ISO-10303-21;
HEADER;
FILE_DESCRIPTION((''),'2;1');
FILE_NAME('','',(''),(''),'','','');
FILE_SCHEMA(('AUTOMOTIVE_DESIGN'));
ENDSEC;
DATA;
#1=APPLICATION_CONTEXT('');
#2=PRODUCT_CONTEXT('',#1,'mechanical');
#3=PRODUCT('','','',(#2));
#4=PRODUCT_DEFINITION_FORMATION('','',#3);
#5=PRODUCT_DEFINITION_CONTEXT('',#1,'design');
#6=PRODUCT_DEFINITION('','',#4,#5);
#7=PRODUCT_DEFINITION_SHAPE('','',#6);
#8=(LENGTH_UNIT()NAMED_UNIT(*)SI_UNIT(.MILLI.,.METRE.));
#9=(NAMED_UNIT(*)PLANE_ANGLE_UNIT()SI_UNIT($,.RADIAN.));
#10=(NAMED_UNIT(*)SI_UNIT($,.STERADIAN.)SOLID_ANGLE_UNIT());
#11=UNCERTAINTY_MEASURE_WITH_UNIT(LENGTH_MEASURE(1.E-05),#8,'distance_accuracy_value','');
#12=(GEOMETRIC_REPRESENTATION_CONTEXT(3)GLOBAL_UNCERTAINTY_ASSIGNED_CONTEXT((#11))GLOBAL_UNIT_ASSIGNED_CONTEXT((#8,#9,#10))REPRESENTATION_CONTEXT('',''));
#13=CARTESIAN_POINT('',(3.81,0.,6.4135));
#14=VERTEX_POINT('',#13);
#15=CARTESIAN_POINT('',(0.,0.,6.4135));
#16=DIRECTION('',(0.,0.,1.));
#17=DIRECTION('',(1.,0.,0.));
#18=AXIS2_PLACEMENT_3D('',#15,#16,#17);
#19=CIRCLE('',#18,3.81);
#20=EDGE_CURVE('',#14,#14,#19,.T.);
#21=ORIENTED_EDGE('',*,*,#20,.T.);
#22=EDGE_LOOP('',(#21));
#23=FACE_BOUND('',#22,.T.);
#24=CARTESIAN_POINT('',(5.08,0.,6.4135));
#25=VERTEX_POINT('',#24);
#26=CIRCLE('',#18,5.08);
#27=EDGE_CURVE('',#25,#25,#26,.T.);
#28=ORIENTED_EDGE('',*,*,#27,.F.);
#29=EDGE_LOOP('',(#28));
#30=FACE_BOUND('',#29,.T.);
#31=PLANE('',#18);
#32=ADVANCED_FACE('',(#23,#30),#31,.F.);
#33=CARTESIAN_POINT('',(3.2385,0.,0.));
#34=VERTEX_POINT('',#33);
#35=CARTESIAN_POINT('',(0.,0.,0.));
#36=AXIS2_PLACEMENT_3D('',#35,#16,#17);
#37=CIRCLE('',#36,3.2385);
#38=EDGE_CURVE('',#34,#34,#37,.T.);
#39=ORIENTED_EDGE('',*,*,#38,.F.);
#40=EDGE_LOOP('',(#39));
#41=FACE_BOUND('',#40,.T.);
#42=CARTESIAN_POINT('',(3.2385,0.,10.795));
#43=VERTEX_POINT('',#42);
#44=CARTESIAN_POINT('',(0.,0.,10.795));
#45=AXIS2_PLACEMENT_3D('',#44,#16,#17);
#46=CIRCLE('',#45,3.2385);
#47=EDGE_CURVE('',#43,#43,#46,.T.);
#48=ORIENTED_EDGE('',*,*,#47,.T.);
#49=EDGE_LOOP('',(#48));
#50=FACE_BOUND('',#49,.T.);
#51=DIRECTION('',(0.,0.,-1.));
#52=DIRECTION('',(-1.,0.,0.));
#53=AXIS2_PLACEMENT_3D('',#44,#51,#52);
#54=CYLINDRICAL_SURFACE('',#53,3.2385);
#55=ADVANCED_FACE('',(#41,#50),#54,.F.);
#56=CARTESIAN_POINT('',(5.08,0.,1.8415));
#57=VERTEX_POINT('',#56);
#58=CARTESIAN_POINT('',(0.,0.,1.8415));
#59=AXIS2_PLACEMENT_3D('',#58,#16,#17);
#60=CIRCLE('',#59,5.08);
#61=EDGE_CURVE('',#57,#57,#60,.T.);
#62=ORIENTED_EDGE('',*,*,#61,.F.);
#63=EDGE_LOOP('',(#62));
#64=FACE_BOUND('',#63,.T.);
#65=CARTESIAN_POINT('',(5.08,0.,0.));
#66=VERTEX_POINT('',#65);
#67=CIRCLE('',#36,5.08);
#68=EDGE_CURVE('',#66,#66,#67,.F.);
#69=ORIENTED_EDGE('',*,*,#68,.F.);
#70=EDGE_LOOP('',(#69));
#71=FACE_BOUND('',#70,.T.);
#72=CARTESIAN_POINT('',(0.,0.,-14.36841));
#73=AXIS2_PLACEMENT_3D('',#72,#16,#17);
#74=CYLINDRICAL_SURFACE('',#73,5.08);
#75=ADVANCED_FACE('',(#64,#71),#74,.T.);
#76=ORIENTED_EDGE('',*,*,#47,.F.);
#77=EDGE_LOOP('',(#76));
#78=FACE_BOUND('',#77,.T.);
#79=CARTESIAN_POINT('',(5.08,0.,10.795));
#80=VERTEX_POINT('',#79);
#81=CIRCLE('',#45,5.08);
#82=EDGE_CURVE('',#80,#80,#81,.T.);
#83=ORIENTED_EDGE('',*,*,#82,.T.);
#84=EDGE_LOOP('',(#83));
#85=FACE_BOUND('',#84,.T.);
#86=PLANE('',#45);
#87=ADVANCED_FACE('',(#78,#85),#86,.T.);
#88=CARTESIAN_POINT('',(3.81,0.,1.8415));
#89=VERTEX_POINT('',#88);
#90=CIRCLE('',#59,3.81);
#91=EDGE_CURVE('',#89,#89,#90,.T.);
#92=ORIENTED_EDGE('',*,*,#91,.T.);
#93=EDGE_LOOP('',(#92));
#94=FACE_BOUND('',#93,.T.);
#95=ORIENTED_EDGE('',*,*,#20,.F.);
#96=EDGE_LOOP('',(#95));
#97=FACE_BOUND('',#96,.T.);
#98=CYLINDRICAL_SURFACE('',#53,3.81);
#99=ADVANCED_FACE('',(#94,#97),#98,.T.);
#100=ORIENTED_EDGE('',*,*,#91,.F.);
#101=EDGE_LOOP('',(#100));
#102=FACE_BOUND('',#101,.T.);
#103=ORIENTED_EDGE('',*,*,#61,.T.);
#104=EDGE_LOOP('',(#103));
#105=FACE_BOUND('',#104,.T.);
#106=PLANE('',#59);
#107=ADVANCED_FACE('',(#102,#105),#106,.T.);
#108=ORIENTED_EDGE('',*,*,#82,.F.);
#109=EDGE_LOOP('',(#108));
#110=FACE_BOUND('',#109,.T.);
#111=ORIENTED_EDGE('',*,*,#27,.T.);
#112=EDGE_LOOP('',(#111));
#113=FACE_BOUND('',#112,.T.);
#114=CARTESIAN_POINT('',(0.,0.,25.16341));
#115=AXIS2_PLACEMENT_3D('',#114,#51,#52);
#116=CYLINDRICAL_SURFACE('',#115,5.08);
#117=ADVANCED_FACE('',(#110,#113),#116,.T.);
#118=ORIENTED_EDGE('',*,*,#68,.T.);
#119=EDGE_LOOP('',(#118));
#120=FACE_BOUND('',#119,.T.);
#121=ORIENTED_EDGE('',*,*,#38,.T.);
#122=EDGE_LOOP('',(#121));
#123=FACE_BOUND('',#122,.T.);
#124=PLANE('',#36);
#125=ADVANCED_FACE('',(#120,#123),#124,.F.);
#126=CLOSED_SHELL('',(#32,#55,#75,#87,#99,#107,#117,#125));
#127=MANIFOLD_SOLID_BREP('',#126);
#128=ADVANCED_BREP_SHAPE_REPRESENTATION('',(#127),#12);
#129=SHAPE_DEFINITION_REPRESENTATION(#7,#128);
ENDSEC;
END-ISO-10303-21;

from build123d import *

# Parameters (mm, degrees)
SKETCH1_R           = 3.81
SKETCH1_R_2         = 3.2385
BOSS_EXTRUDE1_DEPTH = 10.795
SKETCH3_R           = 5.08
SKETCH3_R_2         = 3.81
BOSS_EXTRUDE2_DEPTH = 1.8415
SKETCH4_R           = 5.08
SKETCH4_R_2         = 3.81
BOSS_EXTRUDE3_DEPTH = 4.3815


with BuildPart() as part:
    # Sketch1 → Boss-Extrude1 (new body)
    with BuildSketch(Plane.XY):
        Circle(SKETCH1_R)
        Circle(SKETCH1_R_2, mode=Mode.SUBTRACT)
    extrude(amount=BOSS_EXTRUDE1_DEPTH)

    # Sketch3 → Boss-Extrude2 (add)
    with BuildSketch(Plane.XY.offset(1.8415)):
        Circle(SKETCH3_R)
        Circle(SKETCH3_R_2, mode=Mode.SUBTRACT)
    extrude(amount=-BOSS_EXTRUDE2_DEPTH)

    # Sketch4 → Boss-Extrude3 (add)
    with BuildSketch(Plane.XY.offset(6.4135)):
        Circle(SKETCH4_R)
        Circle(SKETCH4_R_2, mode=Mode.SUBTRACT)
    extrude(amount=BOSS_EXTRUDE3_DEPTH)


solid = part.part
